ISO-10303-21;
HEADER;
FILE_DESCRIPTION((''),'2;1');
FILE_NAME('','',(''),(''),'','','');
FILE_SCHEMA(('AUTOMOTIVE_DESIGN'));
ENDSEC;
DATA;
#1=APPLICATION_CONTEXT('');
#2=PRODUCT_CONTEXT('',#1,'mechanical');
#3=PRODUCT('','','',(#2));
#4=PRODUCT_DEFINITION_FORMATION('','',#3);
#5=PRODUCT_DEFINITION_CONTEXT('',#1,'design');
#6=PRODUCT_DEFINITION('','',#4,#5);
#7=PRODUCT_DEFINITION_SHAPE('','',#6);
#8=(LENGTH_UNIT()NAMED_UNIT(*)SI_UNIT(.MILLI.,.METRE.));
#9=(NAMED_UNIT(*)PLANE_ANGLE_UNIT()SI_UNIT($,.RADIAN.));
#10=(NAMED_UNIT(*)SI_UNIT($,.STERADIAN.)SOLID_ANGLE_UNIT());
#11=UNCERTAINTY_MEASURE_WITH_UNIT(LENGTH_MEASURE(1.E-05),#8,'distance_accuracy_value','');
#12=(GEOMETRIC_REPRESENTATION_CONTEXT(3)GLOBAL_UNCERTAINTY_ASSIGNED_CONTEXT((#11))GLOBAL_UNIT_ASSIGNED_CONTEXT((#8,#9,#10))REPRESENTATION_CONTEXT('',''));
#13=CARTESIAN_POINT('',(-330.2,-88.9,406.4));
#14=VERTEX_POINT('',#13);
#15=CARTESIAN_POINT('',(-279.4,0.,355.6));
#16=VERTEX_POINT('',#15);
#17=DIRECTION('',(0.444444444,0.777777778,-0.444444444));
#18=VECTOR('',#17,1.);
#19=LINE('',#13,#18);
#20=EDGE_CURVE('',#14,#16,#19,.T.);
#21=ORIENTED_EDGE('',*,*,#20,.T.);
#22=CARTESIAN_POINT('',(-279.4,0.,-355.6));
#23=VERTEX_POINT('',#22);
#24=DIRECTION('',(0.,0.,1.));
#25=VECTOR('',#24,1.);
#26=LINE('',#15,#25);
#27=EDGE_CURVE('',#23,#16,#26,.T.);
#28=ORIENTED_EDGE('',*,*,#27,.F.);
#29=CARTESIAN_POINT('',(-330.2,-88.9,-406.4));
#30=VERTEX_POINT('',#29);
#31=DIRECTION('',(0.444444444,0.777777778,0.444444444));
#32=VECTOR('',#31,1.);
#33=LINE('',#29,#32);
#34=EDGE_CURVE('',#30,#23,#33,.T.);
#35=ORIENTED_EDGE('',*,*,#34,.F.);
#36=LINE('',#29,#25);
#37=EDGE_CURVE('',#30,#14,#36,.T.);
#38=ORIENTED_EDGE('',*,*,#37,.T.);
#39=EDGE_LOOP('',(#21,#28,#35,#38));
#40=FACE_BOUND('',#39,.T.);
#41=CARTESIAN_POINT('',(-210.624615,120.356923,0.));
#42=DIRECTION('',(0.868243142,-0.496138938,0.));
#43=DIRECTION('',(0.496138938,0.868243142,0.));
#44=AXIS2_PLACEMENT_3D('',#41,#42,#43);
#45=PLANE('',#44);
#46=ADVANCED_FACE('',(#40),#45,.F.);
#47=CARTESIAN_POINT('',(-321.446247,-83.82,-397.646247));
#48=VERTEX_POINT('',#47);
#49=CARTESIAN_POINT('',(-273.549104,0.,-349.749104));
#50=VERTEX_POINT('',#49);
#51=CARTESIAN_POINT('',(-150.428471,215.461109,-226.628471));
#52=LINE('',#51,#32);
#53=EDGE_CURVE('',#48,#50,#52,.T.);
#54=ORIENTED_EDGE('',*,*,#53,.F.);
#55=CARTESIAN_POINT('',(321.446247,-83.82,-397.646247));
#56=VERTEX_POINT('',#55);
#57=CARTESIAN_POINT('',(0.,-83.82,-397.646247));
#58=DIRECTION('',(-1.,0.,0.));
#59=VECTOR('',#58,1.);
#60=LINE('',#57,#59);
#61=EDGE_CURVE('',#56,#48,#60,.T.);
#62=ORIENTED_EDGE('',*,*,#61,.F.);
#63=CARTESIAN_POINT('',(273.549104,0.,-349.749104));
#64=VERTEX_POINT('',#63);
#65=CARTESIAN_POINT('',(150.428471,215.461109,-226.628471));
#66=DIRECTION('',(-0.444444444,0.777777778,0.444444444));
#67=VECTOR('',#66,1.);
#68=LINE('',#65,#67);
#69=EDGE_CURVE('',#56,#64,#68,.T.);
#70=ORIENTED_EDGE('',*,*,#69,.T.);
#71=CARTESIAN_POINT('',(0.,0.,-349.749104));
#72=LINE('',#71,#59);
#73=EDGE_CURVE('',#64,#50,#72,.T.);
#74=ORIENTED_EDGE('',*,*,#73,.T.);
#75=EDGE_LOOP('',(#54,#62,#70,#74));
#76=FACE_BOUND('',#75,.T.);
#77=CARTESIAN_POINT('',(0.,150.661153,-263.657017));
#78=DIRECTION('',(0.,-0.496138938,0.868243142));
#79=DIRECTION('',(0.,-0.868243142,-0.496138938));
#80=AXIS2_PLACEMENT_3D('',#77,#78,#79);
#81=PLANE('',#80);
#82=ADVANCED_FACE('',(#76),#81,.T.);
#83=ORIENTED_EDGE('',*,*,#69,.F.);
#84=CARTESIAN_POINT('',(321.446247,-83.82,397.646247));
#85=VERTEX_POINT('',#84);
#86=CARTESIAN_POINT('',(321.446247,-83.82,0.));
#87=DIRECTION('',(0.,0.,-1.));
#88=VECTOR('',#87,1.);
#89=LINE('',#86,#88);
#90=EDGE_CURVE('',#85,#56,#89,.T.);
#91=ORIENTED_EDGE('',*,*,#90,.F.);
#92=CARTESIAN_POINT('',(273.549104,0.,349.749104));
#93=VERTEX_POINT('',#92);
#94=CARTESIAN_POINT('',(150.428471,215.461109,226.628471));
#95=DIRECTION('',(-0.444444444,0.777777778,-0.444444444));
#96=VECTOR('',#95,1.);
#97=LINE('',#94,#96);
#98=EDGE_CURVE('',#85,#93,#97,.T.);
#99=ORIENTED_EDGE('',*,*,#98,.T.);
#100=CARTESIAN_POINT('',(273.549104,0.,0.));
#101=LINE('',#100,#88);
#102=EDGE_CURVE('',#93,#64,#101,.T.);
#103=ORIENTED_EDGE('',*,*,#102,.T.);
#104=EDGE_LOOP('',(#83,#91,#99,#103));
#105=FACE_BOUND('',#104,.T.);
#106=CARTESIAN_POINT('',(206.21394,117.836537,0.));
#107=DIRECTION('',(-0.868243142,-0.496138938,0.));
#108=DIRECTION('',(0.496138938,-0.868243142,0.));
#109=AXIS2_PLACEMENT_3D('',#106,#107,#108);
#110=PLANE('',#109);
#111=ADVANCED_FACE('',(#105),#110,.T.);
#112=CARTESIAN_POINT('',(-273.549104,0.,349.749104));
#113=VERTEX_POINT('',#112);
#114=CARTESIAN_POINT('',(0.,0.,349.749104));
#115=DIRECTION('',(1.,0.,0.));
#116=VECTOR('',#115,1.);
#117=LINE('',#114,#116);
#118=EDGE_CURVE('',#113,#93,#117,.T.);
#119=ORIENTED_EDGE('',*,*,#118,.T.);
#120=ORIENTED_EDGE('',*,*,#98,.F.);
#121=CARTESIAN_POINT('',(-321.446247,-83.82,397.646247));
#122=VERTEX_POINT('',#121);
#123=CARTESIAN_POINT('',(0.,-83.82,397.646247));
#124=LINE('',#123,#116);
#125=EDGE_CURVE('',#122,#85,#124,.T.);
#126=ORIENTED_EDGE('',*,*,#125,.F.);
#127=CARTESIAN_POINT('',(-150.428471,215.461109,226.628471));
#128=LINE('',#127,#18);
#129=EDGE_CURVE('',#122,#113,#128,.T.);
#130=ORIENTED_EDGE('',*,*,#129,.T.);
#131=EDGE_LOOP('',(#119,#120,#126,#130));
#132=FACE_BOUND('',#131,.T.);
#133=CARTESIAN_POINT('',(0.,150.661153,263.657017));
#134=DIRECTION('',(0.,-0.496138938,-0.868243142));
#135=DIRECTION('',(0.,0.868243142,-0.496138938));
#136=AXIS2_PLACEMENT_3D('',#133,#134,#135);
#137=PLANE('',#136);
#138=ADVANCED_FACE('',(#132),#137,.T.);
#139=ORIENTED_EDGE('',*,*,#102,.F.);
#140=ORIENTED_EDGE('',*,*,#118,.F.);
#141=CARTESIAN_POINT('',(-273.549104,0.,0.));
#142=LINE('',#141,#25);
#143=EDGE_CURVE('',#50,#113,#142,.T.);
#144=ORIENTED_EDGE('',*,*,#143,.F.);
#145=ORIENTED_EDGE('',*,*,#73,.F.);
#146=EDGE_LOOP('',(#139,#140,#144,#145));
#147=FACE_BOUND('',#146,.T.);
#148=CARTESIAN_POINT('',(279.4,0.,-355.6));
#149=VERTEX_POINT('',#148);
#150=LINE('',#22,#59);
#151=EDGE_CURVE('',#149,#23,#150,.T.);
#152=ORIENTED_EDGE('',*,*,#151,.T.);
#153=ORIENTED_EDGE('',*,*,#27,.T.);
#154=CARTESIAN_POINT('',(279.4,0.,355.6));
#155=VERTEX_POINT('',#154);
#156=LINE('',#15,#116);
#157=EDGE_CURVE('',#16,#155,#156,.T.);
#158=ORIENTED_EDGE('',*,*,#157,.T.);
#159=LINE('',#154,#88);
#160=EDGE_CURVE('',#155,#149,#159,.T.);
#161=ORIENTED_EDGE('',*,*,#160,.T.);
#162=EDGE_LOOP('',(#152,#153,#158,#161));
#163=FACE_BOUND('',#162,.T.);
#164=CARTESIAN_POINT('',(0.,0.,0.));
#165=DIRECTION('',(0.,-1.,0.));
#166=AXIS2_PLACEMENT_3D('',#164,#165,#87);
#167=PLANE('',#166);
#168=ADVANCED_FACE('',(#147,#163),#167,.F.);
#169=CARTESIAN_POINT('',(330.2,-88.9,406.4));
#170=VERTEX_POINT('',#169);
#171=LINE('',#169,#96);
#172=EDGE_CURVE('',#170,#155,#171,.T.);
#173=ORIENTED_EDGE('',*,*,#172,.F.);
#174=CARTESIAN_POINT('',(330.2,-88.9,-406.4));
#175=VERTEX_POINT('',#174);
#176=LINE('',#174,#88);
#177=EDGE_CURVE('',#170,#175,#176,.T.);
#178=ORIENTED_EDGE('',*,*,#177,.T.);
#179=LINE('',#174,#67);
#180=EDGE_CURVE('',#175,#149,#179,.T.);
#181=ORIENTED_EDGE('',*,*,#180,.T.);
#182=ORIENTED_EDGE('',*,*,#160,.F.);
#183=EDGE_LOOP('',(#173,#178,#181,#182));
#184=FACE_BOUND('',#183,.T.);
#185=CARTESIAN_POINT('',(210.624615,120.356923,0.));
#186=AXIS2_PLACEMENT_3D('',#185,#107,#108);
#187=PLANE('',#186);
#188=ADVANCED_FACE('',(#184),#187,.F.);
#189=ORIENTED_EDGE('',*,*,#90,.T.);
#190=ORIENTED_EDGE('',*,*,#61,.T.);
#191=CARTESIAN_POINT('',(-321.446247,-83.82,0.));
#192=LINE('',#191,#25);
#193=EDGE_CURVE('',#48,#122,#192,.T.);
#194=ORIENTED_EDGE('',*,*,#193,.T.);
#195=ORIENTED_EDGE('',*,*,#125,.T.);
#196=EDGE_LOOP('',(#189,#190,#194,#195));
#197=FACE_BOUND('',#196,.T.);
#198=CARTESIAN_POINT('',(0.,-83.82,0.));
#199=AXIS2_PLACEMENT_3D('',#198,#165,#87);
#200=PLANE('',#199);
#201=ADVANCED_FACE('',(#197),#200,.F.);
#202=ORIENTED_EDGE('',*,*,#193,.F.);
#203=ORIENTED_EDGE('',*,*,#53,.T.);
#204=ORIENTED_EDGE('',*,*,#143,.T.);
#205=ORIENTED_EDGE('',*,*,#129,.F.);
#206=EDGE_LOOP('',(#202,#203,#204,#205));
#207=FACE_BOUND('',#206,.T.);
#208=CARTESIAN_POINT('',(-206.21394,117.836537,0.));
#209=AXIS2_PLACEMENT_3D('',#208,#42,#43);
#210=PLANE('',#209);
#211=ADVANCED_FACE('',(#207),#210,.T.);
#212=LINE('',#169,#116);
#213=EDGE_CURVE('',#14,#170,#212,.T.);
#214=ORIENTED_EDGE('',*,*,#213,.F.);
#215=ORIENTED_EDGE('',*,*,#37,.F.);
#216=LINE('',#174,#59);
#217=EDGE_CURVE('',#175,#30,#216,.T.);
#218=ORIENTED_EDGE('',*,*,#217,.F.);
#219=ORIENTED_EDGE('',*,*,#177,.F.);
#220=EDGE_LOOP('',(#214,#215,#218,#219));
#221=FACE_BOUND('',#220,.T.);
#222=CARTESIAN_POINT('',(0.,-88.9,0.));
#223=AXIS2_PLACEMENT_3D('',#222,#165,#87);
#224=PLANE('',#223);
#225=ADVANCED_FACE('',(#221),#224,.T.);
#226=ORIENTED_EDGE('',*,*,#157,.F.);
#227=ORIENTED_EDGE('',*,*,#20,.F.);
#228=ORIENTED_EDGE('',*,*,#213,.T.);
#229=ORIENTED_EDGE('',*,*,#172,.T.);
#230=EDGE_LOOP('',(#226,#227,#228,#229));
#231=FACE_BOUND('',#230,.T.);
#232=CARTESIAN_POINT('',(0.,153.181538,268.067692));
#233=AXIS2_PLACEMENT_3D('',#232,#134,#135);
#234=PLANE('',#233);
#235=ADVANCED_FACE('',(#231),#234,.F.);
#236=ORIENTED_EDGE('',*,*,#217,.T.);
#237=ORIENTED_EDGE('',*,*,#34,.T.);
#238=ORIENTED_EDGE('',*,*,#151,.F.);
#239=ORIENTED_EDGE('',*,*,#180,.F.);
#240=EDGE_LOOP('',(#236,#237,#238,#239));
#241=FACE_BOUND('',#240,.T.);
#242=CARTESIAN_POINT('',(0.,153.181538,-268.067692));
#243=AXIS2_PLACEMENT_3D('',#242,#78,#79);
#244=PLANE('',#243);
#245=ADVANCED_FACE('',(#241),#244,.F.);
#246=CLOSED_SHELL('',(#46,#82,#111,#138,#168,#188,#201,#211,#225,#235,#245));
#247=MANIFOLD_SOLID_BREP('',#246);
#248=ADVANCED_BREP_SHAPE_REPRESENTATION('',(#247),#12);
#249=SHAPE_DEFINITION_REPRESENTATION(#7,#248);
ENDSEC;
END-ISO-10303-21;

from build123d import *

# Parameters (mm, degrees)
SHELL1_T = -5.08


with BuildPart() as part:
    # Sketch2 → Loft1 section 0
    with BuildSketch(Plane(origin=(0, -88.9, 0), x_dir=(1, 0, 0), z_dir=(0, 1, 0))):
        with BuildLine():
            Line((330.2, 406.4), (-330.2, 406.4))
            Line((-330.2, 406.4), (-330.2, -406.4))
            Line((-330.2, -406.4), (330.2, -406.4))
            Line((330.2, -406.4), (330.2, 406.4))
        make_face()
    # Sketch1 → Loft1 section 1
    with BuildSketch(Plane(origin=(0, 0, 0), x_dir=(1, 0, 0), z_dir=(0, 1, 0))):
        with BuildLine():
            Line((-279.4, -355.6), (279.4, -355.6))
            Line((279.4, -355.6), (279.4, 355.6))
            Line((279.4, 355.6), (-279.4, 355.6))
            Line((-279.4, 355.6), (-279.4, -355.6))
        make_face()
    loft()

    # Shell1
    shell1_openings = [part.faces().sort_by_distance(p)[0] for p in [
        (0, 0, 0),
    ]]
    offset(amount=SHELL1_T, openings=shell1_openings, kind=Kind.INTERSECTION)


solid = part.part
